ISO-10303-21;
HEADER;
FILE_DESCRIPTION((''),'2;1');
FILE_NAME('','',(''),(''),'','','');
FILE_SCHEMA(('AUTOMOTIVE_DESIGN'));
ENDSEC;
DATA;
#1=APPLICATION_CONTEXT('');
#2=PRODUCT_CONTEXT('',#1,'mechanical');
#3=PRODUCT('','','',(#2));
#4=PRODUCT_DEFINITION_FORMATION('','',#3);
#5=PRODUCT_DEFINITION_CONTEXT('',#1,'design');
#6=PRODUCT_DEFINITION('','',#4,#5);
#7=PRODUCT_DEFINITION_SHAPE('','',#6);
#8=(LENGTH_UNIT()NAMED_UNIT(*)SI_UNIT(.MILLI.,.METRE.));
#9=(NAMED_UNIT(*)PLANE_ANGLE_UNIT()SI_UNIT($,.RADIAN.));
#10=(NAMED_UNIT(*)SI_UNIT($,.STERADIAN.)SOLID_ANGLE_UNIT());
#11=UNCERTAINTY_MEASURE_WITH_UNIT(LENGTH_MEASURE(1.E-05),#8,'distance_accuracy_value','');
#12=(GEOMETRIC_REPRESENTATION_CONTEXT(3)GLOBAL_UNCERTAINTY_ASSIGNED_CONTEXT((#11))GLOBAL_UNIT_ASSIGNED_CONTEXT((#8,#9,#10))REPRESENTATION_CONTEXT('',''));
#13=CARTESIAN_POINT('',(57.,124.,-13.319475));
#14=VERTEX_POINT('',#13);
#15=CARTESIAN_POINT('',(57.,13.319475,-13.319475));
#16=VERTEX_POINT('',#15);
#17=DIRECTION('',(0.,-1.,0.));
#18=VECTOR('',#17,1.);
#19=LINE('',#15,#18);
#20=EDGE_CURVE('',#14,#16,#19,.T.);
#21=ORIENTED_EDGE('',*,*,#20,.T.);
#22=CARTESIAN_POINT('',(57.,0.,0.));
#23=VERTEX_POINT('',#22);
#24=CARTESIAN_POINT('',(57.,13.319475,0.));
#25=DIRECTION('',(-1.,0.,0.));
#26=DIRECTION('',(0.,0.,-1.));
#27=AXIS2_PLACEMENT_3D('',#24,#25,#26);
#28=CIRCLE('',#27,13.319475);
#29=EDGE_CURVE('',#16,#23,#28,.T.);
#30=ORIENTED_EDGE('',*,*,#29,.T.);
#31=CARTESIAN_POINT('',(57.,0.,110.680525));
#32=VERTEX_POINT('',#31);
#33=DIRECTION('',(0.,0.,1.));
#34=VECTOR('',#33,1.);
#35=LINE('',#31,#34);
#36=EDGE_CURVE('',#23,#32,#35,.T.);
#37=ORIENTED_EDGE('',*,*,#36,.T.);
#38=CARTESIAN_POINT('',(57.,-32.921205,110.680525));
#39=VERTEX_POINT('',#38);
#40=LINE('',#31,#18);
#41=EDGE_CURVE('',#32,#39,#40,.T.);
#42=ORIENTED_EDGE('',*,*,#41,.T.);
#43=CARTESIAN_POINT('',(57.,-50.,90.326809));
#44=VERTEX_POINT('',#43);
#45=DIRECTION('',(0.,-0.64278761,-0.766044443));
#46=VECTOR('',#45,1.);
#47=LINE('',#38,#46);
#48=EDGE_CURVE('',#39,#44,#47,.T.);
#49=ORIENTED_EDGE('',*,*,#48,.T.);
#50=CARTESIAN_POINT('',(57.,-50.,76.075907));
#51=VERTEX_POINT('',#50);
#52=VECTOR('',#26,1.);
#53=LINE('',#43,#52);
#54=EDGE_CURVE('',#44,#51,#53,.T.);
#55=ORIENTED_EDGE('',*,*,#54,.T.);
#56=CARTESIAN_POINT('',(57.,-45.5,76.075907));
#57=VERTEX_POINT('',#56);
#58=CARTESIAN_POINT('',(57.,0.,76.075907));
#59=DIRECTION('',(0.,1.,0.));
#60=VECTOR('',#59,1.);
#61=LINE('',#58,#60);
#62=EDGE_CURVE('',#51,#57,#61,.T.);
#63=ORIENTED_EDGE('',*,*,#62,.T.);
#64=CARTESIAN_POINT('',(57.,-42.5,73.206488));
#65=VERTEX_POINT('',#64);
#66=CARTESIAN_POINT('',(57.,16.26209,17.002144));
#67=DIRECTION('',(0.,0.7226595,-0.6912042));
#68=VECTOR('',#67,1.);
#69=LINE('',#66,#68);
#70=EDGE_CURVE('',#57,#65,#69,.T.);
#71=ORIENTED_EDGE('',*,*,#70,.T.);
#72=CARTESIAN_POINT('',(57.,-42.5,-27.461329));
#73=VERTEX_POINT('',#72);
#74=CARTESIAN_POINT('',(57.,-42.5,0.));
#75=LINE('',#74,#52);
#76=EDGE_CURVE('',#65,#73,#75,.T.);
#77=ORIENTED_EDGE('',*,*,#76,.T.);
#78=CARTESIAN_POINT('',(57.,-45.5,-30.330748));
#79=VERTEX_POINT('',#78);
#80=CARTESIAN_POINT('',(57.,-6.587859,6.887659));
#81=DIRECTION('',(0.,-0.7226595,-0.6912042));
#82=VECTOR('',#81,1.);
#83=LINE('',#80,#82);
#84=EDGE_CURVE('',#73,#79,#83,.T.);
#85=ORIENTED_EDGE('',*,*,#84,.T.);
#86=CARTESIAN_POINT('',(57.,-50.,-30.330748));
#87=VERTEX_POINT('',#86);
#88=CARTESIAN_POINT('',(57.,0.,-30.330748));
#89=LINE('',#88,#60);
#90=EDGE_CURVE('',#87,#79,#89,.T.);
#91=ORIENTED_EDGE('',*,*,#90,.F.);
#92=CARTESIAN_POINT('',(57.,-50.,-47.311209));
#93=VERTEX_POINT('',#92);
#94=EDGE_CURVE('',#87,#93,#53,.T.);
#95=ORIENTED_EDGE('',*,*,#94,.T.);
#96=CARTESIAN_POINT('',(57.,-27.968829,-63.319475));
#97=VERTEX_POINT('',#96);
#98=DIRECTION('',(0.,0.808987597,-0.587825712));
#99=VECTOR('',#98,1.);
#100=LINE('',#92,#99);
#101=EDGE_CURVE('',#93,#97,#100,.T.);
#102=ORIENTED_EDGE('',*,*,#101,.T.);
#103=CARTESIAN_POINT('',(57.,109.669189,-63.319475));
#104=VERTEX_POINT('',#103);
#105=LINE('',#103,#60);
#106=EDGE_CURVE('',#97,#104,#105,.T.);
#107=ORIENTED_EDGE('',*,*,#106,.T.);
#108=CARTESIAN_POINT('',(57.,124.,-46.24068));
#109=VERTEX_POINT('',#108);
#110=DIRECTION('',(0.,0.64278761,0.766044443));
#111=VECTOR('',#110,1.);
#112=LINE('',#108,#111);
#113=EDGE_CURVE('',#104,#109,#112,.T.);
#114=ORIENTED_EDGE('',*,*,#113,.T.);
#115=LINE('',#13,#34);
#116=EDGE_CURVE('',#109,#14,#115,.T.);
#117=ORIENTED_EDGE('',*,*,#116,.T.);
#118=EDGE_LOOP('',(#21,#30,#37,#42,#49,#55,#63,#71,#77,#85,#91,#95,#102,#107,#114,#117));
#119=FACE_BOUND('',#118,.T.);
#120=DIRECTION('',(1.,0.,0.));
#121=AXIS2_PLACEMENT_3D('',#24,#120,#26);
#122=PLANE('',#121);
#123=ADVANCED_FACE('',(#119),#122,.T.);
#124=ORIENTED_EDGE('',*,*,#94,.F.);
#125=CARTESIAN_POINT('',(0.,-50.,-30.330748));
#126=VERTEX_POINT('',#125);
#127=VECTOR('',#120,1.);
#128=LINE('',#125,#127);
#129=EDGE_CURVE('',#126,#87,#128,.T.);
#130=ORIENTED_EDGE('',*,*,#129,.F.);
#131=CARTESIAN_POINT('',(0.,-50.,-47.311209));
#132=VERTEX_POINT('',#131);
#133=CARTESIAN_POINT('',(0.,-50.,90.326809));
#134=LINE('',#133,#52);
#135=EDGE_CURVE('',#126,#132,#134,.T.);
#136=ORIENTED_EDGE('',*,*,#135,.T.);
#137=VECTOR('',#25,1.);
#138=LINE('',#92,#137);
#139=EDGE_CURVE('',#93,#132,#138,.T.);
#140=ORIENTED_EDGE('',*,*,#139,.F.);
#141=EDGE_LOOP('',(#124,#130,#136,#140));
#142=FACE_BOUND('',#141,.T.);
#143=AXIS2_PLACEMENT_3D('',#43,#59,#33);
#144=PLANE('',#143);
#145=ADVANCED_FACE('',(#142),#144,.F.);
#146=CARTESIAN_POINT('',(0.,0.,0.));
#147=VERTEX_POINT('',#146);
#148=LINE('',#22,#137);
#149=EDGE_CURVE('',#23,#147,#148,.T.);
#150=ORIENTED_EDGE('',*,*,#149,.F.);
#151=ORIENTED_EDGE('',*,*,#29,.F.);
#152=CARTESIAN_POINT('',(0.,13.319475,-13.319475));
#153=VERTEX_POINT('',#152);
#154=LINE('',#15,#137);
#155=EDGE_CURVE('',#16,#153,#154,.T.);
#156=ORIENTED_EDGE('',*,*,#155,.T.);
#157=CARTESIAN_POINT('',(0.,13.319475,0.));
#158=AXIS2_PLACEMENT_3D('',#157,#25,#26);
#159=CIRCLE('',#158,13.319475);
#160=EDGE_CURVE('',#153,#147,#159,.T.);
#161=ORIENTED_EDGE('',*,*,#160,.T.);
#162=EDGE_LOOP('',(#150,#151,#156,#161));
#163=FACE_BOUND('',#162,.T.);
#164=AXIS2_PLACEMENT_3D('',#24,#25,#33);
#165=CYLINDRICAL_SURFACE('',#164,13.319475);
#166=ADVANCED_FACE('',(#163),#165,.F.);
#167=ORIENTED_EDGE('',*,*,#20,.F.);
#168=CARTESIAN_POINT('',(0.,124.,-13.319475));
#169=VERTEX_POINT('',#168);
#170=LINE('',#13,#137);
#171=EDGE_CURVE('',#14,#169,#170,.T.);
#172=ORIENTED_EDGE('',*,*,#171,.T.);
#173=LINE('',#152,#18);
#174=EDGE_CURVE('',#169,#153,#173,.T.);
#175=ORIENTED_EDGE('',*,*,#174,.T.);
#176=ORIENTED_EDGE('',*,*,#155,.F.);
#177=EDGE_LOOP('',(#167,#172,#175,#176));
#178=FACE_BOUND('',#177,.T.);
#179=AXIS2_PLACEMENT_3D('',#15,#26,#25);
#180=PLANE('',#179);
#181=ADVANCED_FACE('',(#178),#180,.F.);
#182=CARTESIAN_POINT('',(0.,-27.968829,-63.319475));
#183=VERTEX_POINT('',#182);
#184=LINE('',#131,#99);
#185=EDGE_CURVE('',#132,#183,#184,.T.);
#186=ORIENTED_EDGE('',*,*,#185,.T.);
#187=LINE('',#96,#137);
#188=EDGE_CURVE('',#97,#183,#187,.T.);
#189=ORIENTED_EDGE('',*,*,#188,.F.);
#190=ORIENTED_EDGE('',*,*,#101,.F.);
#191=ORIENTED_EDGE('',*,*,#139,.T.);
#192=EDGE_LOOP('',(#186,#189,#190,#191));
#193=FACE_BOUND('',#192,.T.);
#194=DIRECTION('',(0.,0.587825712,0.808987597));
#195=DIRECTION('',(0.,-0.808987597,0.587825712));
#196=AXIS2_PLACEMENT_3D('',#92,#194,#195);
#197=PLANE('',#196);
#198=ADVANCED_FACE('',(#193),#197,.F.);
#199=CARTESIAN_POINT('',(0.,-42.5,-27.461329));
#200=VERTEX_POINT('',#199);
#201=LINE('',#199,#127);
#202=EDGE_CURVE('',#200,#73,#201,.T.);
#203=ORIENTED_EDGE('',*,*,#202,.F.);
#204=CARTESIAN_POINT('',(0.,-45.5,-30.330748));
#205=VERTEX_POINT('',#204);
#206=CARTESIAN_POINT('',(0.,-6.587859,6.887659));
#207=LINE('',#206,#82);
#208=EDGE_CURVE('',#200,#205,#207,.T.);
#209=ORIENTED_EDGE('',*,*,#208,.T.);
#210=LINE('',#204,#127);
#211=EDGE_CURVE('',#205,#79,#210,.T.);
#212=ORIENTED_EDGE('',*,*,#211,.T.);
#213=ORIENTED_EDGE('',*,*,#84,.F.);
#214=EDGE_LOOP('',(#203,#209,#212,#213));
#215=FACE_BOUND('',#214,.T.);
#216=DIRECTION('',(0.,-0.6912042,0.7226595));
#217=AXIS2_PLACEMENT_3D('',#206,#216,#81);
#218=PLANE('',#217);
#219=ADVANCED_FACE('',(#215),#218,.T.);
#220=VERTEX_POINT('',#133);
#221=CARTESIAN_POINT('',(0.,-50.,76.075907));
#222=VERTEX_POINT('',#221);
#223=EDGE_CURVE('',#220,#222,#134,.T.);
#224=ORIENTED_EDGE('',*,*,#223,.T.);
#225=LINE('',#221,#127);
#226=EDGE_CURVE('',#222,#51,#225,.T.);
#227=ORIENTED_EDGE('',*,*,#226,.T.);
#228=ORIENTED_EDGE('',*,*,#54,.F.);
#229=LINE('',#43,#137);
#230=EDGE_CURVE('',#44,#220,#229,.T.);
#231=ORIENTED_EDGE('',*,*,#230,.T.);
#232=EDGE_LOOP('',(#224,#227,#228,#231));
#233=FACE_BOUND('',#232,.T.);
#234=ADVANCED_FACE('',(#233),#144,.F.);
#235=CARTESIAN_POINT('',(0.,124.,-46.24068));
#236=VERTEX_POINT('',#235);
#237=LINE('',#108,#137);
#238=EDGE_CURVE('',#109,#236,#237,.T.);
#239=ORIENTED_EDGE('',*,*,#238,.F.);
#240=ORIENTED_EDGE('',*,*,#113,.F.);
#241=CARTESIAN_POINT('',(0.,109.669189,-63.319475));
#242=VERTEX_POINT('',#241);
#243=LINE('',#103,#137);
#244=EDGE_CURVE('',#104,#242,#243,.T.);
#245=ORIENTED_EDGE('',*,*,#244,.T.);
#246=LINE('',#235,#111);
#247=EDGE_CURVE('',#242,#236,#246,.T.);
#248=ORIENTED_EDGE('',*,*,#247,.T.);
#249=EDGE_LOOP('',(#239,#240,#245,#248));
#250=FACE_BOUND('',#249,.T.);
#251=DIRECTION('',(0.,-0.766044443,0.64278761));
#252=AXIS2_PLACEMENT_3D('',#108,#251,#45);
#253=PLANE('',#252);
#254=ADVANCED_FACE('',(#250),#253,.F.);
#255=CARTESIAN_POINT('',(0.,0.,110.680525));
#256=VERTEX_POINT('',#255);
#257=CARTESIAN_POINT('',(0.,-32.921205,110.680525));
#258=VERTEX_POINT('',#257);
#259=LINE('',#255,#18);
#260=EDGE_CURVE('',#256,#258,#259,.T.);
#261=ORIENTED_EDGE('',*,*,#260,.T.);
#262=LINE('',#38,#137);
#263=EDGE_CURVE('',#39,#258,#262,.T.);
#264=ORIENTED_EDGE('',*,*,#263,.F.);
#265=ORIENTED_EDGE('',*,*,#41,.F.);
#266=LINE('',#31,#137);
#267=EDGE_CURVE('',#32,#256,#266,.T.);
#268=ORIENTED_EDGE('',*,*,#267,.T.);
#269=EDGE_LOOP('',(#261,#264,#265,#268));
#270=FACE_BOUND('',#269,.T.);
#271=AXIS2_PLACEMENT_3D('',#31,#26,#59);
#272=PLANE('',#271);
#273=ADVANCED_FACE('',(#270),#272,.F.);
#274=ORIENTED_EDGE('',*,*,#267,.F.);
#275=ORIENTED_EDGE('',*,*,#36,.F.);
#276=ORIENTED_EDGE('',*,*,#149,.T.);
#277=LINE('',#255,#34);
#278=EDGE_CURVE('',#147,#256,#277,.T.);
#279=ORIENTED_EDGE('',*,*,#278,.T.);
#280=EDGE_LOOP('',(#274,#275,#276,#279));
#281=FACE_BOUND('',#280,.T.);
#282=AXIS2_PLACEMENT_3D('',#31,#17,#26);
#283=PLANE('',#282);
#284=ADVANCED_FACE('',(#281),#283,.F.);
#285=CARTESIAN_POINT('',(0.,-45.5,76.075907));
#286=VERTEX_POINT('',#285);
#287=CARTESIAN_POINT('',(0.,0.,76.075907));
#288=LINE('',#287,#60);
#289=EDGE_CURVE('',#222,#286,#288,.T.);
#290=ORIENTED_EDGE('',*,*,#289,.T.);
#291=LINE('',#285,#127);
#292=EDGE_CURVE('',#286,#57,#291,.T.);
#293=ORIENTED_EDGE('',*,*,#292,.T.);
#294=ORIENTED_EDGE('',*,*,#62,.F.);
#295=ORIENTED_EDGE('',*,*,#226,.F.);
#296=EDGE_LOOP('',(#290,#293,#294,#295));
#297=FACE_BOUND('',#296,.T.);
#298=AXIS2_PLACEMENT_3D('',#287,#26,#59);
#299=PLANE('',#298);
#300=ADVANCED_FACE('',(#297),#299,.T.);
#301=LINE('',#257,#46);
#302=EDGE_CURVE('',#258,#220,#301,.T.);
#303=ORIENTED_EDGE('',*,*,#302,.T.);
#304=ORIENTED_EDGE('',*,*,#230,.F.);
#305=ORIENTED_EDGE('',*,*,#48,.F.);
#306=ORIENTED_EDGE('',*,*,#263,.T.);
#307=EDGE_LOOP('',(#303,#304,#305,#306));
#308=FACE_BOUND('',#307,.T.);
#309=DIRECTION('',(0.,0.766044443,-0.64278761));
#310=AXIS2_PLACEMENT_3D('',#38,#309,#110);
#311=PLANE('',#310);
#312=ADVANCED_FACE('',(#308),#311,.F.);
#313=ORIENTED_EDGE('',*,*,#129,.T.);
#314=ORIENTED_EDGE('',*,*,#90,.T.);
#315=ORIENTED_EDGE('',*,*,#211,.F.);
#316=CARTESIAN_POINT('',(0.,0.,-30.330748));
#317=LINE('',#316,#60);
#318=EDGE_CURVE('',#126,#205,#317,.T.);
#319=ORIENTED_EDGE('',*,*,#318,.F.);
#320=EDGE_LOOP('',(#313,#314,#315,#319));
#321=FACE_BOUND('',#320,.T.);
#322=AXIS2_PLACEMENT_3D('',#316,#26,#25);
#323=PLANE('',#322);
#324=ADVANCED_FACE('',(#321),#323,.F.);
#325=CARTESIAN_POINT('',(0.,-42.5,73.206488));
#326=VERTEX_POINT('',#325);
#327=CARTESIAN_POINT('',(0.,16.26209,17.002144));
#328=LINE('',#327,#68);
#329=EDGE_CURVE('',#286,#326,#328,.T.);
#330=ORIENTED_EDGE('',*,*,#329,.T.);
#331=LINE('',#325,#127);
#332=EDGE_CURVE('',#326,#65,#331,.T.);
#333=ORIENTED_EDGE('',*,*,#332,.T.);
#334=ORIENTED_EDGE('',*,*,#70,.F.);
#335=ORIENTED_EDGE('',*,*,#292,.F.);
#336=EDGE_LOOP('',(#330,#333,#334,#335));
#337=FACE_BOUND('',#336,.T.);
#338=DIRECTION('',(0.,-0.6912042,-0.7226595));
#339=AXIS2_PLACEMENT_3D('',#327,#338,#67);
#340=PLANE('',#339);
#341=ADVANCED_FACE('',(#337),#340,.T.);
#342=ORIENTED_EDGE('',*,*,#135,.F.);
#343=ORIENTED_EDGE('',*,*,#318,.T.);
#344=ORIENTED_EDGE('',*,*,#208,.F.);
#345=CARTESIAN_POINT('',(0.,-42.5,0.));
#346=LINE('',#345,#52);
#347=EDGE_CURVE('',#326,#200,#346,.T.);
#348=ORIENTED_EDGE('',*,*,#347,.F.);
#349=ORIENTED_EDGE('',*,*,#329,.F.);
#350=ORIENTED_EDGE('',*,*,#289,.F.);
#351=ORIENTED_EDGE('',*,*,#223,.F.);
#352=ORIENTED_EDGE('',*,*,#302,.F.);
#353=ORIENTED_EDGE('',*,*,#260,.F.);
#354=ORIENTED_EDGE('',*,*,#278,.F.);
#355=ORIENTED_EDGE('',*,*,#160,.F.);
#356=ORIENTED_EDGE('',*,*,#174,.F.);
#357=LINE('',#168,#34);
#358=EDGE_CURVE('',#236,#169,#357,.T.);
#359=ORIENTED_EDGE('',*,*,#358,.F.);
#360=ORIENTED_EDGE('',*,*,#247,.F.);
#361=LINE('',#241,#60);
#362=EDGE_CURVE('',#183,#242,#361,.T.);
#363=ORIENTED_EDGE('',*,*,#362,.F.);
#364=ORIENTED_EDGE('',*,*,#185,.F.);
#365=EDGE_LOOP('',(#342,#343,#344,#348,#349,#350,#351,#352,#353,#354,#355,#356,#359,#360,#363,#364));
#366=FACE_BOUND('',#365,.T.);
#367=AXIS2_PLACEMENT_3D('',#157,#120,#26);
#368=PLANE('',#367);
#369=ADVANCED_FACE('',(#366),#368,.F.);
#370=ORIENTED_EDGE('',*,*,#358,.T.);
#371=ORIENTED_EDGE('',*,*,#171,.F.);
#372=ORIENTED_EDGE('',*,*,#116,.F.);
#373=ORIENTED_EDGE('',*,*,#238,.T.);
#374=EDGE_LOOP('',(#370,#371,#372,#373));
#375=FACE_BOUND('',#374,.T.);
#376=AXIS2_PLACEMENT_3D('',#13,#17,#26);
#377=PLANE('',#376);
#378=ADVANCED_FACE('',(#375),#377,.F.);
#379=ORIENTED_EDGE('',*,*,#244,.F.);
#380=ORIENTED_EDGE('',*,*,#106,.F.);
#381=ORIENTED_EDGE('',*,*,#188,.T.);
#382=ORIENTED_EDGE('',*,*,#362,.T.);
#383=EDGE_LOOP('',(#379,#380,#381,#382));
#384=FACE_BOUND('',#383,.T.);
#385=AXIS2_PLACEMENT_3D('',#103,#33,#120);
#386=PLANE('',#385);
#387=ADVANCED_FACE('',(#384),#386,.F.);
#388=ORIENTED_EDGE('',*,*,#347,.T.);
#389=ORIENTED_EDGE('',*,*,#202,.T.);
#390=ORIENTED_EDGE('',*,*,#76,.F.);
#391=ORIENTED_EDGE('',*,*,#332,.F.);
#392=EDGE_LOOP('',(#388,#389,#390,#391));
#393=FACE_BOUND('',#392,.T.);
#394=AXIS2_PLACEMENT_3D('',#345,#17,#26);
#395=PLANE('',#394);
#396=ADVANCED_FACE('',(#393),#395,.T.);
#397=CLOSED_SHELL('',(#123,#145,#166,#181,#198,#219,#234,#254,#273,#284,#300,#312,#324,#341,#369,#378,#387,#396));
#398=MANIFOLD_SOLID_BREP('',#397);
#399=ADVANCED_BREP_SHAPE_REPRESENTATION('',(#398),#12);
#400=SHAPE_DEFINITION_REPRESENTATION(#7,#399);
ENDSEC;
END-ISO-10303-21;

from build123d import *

# Parameters (mm, degrees)
BOSS_EXTRUDE1_DEPTH = 57
CUT_EXTRUDE1_DEPTH  = 58


with BuildPart() as part:
    # Sketch2 → Boss-Extrude1 (new body)
    with BuildSketch(Plane(origin=(0, 0, 0), x_dir=(0, 0, -1), z_dir=(1, 0, 0))):
        with BuildLine():
            Line((-110.680525015, 0), (-110.680525015, -32.921204516))
            Line((-110.680525015, -32.921204516), (-90.326809139, -50))
            Line((-90.326809139, -50), (47.311208732, -50))
            Line((47.311208732, -50), (63.319474985, -27.968828863))
            Line((63.319474985, -27.968828863), (63.319474985, 109.669189008))
            Line((63.319474985, 109.669189008), (46.240679501, 124))
            Line((46.240679501, 124), (13.319474985, 124))
            Line((13.319474985, 124), (13.319474985, 13.319474985))
            ThreePointArc((13.319474985, 13.319474985), (9.418291084, 3.901183901), (0, 0))
            Line((0, 0), (-110.680525015, 0))
        make_face()
    extrude(amount=BOSS_EXTRUDE1_DEPTH)

    # Sketch3 → Cut-Extrude1 (cut, through all)
    with BuildSketch(Plane(origin=(57, 0, 0), x_dir=(0, 0, -1), z_dir=(1, 0, 0))):
        Polygon((-76.075907073, -45.5), (-76.075907073, -50), (30.330747693, -50), (30.330747693, -45.5), (27.461329109, -42.5), (-73.206488489, -42.5), align=None)
    extrude(amount=-CUT_EXTRUDE1_DEPTH, mode=Mode.SUBTRACT)


solid = part.part
